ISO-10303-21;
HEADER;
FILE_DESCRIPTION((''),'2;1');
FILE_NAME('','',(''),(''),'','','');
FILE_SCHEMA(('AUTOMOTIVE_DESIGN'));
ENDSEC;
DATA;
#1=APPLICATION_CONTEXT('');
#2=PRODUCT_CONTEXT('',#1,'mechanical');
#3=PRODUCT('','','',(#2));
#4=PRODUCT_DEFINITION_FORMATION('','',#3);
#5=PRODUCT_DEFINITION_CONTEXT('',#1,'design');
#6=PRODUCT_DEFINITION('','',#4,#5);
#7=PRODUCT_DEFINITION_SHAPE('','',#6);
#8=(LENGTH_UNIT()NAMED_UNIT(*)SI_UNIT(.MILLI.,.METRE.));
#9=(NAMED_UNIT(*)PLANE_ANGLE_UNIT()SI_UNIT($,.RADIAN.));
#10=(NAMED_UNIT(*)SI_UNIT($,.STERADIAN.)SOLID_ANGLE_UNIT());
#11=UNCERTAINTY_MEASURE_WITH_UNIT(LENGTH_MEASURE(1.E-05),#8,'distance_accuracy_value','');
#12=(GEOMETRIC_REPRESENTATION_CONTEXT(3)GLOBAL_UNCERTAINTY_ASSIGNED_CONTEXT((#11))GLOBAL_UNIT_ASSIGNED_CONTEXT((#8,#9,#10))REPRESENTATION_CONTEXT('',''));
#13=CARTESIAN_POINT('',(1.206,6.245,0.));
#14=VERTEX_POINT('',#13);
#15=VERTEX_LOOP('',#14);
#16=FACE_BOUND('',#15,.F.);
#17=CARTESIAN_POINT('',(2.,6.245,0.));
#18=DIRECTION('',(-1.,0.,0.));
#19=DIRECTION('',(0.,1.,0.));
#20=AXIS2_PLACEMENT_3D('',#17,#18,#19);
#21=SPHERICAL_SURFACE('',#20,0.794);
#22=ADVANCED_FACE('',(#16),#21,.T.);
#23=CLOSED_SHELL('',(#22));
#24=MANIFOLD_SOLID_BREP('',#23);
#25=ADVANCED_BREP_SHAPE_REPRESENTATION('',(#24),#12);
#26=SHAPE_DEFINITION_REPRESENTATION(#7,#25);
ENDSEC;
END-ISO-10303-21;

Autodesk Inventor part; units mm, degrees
ref_plane "YZ Plane" through (0, 0, 0) normal (1, 0, 0) x (0, 1, 0)
ref_plane "XZ Plane" through (0, 0, 0) normal (0, 1, 0) x (-1, 0, 0)
ref_plane "XY Plane" through (0, 0, 0) normal (0, 0, 1) x (1, 0, 0)
sketch "Sketch_2" plane through (0, 0, 0) normal (0, 0, 1) x (1, 0, 0)
  line L0 (2.794, 6.245) -> (1.206, 6.245)
  arc A0 (2.794, 6.245) -> (1.206, 6.245) centre (2, 6.245) ccw
  line L1 (2.794, 6.245) -> (1.206, 6.245)
  dimension "d0" = 360
revolve "Revolution1" add sketch "Sketch_2" angle 360 about axis through (2.794, 6.245, 0) along (1, 0, 0)
properties part number "W 61700 X-2RS1_PART3"
